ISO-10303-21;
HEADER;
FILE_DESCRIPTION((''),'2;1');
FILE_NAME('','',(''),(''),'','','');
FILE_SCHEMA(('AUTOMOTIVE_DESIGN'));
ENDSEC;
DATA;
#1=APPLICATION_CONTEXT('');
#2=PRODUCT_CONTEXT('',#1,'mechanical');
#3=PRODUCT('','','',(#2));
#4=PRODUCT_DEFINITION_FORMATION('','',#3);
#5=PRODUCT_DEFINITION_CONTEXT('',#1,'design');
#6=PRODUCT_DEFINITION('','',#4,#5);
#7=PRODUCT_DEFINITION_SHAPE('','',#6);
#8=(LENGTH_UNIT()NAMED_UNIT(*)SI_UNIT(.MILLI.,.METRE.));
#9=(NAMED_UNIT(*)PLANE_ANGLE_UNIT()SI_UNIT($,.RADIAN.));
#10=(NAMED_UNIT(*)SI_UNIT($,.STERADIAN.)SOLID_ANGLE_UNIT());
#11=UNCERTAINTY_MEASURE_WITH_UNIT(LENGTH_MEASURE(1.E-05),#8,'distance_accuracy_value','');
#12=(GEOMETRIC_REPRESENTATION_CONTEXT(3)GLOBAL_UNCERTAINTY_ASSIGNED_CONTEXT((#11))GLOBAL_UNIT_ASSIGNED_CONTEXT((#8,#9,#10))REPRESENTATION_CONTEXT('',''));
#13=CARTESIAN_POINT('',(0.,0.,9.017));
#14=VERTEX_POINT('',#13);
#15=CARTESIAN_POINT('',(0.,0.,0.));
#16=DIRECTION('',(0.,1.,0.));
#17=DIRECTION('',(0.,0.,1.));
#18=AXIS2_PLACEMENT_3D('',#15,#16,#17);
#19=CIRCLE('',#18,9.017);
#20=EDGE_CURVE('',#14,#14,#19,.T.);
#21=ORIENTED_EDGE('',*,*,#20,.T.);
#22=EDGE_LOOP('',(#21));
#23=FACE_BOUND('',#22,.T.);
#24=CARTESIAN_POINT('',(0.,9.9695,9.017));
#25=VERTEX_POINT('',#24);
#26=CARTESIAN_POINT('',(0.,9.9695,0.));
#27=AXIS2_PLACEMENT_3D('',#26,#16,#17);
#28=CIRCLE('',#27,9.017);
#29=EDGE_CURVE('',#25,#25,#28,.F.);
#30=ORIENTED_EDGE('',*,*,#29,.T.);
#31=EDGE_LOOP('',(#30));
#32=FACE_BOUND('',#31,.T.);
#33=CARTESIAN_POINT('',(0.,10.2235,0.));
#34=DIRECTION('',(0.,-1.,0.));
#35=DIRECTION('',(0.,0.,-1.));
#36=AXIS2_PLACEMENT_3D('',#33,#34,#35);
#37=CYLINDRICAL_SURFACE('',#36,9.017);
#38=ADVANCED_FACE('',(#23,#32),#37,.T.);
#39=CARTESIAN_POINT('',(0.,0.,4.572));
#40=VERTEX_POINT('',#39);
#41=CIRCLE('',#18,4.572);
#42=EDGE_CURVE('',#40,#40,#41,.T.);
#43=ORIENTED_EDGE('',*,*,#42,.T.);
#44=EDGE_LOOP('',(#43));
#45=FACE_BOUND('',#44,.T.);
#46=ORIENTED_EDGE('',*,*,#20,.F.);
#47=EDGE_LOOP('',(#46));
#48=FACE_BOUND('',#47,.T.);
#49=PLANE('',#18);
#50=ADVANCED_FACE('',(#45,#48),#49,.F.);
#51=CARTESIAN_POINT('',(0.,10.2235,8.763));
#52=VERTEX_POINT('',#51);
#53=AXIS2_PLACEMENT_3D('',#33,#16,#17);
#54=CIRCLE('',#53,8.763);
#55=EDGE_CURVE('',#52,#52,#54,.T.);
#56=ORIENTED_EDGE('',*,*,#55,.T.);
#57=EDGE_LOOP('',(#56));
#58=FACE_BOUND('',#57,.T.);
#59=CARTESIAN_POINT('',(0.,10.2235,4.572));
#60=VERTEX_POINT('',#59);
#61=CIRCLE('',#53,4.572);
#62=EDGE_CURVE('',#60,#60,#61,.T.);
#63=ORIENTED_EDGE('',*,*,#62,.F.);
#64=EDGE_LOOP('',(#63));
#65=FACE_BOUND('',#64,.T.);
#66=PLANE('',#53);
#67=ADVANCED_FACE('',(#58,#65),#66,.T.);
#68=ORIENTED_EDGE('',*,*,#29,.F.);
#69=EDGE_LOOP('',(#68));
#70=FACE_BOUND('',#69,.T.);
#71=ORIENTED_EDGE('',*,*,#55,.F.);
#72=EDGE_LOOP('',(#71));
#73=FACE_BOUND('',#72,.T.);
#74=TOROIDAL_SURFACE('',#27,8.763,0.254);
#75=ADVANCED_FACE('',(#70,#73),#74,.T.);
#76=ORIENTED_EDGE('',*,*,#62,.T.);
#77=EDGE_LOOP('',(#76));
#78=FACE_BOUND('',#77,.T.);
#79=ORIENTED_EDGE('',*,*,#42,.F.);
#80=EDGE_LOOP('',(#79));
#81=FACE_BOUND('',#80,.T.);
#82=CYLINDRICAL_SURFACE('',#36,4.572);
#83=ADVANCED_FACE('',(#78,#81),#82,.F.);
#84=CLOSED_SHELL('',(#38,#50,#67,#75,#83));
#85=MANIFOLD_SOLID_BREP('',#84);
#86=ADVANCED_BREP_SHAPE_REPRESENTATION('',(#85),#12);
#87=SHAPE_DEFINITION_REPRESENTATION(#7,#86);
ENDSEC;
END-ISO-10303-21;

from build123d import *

# Parameters (mm, degrees)
SKETCH1_R           = 9.017
SKETCH1_R_2         = 4.572
BOSS_EXTRUDE1_DEPTH = 10.2235
FILLET2_R           = 0.254


with BuildPart() as part:
    # Sketch1 → Boss-Extrude1 (new body)
    with BuildSketch(Plane(origin=(0, 0, 0), x_dir=(1, 0, 0), z_dir=(0, 1, 0))):
        with Locations(Location((0, 0, 0), (0, 0, 270))):
            Circle(SKETCH1_R)
        with Locations(Location((0, 0, 0), (0, 0, 270))):
            Circle(SKETCH1_R_2, mode=Mode.SUBTRACT)
    extrude(amount=BOSS_EXTRUDE1_DEPTH)

    # Fillet2
    fillet2_edges = [part.edges().sort_by_distance(p)[0] for p in [
        (0, 10.2235, -9.017),
    ]]
    fillet(fillet2_edges, radius=FILLET2_R)


solid = part.part
